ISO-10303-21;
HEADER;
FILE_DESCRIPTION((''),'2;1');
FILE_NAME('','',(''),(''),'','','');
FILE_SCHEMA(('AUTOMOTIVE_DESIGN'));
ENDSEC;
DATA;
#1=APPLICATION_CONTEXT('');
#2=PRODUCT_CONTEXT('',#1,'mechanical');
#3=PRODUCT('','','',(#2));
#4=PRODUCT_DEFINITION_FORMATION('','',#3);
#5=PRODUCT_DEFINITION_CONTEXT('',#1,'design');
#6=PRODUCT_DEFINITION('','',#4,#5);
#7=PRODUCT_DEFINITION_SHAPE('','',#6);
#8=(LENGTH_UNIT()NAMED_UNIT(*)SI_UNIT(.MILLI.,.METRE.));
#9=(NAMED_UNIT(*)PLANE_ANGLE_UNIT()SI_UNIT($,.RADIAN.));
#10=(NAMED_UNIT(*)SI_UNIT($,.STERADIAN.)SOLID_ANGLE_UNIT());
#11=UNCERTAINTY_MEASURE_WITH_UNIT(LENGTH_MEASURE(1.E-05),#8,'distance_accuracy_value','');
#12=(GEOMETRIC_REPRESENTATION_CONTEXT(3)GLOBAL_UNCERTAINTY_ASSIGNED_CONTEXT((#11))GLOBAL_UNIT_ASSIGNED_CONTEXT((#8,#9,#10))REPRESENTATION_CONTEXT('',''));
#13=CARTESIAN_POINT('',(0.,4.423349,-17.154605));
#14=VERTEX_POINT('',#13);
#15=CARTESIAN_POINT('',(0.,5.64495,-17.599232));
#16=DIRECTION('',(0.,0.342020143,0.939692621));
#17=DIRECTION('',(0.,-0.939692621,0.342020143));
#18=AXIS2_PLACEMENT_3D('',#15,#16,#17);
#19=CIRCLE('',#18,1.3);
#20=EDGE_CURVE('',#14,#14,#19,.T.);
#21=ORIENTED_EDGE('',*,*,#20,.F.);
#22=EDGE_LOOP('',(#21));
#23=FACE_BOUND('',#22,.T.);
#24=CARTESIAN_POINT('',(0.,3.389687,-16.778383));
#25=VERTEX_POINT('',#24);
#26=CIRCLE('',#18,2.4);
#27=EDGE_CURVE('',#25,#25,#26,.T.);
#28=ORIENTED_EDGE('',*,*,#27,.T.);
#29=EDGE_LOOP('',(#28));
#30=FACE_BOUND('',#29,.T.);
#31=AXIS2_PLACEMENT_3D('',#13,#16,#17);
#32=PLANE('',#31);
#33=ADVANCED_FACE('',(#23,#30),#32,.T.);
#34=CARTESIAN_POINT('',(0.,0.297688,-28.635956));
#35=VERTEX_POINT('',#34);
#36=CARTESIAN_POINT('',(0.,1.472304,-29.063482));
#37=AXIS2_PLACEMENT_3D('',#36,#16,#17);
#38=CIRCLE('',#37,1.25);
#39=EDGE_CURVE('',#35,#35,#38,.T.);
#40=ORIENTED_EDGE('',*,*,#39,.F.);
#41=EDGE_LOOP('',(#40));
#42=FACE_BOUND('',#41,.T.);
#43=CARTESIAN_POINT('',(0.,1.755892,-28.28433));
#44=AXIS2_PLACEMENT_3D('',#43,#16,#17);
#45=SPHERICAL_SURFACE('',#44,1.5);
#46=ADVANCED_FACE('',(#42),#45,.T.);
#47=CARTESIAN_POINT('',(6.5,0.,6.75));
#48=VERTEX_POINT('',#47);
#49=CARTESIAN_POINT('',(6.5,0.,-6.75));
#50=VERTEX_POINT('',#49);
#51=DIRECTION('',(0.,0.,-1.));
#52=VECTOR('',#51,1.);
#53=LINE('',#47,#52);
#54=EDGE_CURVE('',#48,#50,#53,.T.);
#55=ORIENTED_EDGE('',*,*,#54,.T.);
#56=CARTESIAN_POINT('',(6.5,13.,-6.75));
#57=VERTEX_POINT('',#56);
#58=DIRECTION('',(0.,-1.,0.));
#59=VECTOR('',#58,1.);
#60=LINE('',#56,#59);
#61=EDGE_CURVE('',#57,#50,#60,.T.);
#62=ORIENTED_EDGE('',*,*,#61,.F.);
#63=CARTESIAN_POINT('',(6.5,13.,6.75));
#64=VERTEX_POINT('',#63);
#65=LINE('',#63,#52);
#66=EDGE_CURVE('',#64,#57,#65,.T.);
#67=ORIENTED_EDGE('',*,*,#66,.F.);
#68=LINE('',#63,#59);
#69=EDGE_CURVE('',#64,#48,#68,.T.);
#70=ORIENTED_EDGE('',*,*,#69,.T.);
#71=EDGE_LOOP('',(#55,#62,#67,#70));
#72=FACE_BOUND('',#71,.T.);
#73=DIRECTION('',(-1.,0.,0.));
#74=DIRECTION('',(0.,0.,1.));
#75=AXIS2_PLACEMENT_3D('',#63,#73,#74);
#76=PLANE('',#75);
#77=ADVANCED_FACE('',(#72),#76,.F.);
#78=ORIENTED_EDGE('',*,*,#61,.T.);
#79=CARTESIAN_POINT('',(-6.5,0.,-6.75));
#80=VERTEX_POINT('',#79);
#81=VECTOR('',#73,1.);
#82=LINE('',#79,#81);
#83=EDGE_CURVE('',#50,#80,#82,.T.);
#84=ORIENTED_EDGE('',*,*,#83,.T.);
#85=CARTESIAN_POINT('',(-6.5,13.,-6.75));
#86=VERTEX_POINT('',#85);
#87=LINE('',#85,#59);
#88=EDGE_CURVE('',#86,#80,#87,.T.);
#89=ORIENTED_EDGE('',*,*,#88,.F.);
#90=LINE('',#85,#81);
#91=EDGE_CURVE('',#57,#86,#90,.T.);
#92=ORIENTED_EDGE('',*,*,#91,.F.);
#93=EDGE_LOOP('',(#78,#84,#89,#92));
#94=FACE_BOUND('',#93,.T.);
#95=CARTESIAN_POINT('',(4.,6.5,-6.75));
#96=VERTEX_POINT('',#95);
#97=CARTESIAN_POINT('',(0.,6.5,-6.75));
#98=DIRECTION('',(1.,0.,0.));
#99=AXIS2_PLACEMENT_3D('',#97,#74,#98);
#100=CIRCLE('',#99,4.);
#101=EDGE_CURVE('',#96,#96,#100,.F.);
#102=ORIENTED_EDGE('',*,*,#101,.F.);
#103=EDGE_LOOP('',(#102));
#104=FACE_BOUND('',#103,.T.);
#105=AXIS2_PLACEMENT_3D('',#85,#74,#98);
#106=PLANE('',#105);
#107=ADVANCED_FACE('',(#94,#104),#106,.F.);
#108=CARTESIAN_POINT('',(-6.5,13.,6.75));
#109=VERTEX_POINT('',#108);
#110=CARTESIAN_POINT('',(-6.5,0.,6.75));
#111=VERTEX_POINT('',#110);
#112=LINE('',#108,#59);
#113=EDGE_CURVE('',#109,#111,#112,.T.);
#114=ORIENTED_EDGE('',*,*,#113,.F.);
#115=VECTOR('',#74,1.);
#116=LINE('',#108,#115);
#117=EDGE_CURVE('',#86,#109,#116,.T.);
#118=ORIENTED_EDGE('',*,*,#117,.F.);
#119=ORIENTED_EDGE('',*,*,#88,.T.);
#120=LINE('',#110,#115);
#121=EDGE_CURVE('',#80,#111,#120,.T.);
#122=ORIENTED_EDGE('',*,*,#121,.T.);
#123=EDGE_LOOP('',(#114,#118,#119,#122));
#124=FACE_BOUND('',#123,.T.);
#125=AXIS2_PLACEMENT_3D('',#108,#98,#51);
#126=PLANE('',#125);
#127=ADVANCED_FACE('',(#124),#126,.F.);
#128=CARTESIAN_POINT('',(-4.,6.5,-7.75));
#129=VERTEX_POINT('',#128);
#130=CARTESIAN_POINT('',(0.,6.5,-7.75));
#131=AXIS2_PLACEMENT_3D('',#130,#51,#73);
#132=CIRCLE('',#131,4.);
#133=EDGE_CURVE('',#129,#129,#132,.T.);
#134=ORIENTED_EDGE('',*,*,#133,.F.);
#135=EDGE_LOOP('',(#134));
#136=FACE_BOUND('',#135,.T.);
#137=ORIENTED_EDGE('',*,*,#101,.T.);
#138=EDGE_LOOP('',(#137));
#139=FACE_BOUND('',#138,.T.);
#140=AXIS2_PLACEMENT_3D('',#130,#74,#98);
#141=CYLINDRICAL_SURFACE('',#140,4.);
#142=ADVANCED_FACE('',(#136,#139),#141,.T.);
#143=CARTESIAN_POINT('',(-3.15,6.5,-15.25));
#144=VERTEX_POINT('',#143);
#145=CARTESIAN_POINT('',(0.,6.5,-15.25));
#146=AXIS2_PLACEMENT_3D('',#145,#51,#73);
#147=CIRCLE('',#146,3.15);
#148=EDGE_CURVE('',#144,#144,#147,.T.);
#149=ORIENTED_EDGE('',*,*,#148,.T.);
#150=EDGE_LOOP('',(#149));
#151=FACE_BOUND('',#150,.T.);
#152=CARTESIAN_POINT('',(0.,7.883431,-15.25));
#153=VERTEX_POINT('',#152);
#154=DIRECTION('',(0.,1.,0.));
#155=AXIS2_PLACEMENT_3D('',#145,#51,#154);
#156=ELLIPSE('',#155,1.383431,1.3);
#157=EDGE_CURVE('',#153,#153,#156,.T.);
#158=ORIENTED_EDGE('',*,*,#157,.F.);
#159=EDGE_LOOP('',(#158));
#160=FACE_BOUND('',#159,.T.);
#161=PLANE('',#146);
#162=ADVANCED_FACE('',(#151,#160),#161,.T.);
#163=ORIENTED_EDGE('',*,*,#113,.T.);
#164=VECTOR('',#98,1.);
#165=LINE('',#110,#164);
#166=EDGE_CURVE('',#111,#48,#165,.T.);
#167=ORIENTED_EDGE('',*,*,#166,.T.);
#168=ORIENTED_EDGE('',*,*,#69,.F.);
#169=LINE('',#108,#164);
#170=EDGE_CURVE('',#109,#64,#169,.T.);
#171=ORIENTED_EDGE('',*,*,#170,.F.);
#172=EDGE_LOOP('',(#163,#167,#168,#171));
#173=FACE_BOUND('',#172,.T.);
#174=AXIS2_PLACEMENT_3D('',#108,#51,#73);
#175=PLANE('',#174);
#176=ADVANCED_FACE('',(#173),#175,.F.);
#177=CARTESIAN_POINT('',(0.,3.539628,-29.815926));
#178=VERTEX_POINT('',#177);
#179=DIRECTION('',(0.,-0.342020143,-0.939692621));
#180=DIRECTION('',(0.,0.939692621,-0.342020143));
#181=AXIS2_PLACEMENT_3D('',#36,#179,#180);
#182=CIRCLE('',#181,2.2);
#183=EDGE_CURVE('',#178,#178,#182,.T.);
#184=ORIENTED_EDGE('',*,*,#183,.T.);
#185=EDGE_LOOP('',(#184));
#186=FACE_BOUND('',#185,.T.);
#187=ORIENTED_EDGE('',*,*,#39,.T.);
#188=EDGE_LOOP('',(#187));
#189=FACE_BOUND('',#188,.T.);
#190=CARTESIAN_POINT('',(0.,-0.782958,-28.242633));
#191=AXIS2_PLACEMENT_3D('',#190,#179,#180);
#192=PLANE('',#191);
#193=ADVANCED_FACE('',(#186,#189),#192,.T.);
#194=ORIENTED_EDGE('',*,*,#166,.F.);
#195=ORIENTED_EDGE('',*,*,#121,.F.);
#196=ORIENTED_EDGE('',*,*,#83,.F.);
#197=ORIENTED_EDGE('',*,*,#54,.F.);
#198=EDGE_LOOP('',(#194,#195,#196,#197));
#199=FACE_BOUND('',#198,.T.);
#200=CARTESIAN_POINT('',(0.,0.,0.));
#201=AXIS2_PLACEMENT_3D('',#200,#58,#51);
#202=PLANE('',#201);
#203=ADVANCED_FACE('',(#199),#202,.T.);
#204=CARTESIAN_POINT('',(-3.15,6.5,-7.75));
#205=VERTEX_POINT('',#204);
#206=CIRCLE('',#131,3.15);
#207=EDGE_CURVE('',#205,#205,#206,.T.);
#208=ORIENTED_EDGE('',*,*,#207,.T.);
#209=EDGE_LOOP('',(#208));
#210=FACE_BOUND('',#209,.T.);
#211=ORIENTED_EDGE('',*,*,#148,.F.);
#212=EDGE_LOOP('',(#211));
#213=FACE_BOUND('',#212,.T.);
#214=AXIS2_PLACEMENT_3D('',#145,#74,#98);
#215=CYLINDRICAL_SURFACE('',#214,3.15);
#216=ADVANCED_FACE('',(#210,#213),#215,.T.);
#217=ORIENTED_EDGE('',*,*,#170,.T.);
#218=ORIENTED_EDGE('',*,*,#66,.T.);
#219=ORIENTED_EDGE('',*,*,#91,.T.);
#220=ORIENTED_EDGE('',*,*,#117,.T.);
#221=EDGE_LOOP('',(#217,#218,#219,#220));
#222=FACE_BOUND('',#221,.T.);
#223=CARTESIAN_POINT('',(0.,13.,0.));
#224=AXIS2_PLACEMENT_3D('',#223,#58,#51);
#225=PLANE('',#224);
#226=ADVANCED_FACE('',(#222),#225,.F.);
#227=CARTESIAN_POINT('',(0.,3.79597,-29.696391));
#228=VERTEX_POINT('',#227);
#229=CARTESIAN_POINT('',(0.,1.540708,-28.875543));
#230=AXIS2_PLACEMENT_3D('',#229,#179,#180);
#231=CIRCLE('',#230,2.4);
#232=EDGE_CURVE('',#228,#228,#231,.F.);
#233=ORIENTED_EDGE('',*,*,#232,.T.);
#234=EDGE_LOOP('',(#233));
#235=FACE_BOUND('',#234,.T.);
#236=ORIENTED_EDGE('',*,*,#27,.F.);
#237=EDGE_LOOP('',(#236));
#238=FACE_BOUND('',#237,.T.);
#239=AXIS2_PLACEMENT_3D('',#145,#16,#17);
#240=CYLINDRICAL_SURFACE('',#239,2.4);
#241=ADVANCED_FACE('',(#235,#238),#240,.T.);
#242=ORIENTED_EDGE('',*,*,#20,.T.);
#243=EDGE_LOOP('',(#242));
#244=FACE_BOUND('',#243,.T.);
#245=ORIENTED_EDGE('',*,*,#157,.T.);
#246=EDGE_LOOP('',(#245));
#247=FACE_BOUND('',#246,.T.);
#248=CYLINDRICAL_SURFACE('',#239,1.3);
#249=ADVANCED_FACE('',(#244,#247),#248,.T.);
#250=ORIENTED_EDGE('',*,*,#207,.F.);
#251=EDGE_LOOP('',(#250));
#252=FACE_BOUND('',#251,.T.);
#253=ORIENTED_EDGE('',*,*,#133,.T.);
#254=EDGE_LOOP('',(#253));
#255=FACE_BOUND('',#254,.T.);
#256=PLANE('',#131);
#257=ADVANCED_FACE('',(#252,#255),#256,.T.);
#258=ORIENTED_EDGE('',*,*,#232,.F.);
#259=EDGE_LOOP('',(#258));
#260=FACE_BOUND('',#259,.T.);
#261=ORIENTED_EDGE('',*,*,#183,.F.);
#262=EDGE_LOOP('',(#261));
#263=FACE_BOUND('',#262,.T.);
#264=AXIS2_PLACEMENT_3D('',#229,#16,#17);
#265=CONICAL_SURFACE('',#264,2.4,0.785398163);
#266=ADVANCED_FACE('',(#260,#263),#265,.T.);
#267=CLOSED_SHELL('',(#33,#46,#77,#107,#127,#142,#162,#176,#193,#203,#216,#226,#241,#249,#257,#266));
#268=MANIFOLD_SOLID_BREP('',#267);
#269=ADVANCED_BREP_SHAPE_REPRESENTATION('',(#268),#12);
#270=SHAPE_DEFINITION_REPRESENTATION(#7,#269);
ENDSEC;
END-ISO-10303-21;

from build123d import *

# Parameters (mm, degrees)
SKETCH1_W           = 13
SKETCH1_H           = 13.5
BOSS_EXTRUDE1_DEPTH = 13
SKETCH2_R           = 3.15
BOSS_EXTRUDE2_DEPTH = 8.5
SKETCH3_R           = 4
BOSS_EXTRUDE3_DEPTH = 1
CHAMFER1_SIZE       = 0.2


with BuildPart() as part:
    # Sketch1 → Boss-Extrude1 (new body)
    with BuildSketch(Plane(origin=(0, 0, 0), x_dir=(1, 0, 0), z_dir=(0, 1, 0))):
        Rectangle(SKETCH1_W, SKETCH1_H)
    extrude(amount=BOSS_EXTRUDE1_DEPTH)

    # Sketch2 → Boss-Extrude2 (add)
    with BuildSketch(Plane(origin=(0, 0, -6.75), x_dir=(-1, 0, 0), z_dir=(0, 0, -1))):
        with Locations(Location((0, 6.5, 0), (0, 0, 180))):
            Circle(SKETCH2_R)
    extrude(amount=BOSS_EXTRUDE2_DEPTH)

    # Sketch3 → Boss-Extrude3 (add)
    with BuildSketch(Plane(origin=(0, 0, -6.75), x_dir=(-1, 0, 0), z_dir=(0, 0, -1))):
        with Locations(Location((0, 6.5, 0), (0, 0, 180))):
            Circle(SKETCH3_R)
    extrude(amount=BOSS_EXTRUDE3_DEPTH)

    # Sketch4 → Revolve1 (revolve)
    with BuildSketch(Plane(origin=(0, 0, 0), x_dir=(0, 0, -1), z_dir=(1, 0, 0))):
        with BuildLine():
            Line((14.310307379, 6.842020143), (13.865681193, 5.620419736))
            Line((13.865681193, 5.620419736), (17.154605366, 4.423349235))
            Line((17.154605366, 4.423349235), (16.778383208, 3.389687352))
            Line((16.778383208, 3.389687352), (28.242633182, -0.782958397))
            Line((28.242633182, -0.782958397), (28.635956346, 0.297688117))
            ThreePointArc((28.635956346, 0.297688117), (29.283711619, 0.637305625), (29.693868496, 1.2428618))
            Line((29.693868496, 1.2428618), (14.310307379, 6.842020143))
        make_face()
    revolve(axis=Axis((0, 6.5, -15.25), (0, -0.34202014332566943, -0.9396926207859081)))

    # Chamfer1
    chamfer1_edges = [part.edges().sort_by_distance(p)[0] for p in [
        (0, 3.727566183, -29.88432987),
    ]]
    chamfer(chamfer1_edges, length=CHAMFER1_SIZE)


solid = part.part
